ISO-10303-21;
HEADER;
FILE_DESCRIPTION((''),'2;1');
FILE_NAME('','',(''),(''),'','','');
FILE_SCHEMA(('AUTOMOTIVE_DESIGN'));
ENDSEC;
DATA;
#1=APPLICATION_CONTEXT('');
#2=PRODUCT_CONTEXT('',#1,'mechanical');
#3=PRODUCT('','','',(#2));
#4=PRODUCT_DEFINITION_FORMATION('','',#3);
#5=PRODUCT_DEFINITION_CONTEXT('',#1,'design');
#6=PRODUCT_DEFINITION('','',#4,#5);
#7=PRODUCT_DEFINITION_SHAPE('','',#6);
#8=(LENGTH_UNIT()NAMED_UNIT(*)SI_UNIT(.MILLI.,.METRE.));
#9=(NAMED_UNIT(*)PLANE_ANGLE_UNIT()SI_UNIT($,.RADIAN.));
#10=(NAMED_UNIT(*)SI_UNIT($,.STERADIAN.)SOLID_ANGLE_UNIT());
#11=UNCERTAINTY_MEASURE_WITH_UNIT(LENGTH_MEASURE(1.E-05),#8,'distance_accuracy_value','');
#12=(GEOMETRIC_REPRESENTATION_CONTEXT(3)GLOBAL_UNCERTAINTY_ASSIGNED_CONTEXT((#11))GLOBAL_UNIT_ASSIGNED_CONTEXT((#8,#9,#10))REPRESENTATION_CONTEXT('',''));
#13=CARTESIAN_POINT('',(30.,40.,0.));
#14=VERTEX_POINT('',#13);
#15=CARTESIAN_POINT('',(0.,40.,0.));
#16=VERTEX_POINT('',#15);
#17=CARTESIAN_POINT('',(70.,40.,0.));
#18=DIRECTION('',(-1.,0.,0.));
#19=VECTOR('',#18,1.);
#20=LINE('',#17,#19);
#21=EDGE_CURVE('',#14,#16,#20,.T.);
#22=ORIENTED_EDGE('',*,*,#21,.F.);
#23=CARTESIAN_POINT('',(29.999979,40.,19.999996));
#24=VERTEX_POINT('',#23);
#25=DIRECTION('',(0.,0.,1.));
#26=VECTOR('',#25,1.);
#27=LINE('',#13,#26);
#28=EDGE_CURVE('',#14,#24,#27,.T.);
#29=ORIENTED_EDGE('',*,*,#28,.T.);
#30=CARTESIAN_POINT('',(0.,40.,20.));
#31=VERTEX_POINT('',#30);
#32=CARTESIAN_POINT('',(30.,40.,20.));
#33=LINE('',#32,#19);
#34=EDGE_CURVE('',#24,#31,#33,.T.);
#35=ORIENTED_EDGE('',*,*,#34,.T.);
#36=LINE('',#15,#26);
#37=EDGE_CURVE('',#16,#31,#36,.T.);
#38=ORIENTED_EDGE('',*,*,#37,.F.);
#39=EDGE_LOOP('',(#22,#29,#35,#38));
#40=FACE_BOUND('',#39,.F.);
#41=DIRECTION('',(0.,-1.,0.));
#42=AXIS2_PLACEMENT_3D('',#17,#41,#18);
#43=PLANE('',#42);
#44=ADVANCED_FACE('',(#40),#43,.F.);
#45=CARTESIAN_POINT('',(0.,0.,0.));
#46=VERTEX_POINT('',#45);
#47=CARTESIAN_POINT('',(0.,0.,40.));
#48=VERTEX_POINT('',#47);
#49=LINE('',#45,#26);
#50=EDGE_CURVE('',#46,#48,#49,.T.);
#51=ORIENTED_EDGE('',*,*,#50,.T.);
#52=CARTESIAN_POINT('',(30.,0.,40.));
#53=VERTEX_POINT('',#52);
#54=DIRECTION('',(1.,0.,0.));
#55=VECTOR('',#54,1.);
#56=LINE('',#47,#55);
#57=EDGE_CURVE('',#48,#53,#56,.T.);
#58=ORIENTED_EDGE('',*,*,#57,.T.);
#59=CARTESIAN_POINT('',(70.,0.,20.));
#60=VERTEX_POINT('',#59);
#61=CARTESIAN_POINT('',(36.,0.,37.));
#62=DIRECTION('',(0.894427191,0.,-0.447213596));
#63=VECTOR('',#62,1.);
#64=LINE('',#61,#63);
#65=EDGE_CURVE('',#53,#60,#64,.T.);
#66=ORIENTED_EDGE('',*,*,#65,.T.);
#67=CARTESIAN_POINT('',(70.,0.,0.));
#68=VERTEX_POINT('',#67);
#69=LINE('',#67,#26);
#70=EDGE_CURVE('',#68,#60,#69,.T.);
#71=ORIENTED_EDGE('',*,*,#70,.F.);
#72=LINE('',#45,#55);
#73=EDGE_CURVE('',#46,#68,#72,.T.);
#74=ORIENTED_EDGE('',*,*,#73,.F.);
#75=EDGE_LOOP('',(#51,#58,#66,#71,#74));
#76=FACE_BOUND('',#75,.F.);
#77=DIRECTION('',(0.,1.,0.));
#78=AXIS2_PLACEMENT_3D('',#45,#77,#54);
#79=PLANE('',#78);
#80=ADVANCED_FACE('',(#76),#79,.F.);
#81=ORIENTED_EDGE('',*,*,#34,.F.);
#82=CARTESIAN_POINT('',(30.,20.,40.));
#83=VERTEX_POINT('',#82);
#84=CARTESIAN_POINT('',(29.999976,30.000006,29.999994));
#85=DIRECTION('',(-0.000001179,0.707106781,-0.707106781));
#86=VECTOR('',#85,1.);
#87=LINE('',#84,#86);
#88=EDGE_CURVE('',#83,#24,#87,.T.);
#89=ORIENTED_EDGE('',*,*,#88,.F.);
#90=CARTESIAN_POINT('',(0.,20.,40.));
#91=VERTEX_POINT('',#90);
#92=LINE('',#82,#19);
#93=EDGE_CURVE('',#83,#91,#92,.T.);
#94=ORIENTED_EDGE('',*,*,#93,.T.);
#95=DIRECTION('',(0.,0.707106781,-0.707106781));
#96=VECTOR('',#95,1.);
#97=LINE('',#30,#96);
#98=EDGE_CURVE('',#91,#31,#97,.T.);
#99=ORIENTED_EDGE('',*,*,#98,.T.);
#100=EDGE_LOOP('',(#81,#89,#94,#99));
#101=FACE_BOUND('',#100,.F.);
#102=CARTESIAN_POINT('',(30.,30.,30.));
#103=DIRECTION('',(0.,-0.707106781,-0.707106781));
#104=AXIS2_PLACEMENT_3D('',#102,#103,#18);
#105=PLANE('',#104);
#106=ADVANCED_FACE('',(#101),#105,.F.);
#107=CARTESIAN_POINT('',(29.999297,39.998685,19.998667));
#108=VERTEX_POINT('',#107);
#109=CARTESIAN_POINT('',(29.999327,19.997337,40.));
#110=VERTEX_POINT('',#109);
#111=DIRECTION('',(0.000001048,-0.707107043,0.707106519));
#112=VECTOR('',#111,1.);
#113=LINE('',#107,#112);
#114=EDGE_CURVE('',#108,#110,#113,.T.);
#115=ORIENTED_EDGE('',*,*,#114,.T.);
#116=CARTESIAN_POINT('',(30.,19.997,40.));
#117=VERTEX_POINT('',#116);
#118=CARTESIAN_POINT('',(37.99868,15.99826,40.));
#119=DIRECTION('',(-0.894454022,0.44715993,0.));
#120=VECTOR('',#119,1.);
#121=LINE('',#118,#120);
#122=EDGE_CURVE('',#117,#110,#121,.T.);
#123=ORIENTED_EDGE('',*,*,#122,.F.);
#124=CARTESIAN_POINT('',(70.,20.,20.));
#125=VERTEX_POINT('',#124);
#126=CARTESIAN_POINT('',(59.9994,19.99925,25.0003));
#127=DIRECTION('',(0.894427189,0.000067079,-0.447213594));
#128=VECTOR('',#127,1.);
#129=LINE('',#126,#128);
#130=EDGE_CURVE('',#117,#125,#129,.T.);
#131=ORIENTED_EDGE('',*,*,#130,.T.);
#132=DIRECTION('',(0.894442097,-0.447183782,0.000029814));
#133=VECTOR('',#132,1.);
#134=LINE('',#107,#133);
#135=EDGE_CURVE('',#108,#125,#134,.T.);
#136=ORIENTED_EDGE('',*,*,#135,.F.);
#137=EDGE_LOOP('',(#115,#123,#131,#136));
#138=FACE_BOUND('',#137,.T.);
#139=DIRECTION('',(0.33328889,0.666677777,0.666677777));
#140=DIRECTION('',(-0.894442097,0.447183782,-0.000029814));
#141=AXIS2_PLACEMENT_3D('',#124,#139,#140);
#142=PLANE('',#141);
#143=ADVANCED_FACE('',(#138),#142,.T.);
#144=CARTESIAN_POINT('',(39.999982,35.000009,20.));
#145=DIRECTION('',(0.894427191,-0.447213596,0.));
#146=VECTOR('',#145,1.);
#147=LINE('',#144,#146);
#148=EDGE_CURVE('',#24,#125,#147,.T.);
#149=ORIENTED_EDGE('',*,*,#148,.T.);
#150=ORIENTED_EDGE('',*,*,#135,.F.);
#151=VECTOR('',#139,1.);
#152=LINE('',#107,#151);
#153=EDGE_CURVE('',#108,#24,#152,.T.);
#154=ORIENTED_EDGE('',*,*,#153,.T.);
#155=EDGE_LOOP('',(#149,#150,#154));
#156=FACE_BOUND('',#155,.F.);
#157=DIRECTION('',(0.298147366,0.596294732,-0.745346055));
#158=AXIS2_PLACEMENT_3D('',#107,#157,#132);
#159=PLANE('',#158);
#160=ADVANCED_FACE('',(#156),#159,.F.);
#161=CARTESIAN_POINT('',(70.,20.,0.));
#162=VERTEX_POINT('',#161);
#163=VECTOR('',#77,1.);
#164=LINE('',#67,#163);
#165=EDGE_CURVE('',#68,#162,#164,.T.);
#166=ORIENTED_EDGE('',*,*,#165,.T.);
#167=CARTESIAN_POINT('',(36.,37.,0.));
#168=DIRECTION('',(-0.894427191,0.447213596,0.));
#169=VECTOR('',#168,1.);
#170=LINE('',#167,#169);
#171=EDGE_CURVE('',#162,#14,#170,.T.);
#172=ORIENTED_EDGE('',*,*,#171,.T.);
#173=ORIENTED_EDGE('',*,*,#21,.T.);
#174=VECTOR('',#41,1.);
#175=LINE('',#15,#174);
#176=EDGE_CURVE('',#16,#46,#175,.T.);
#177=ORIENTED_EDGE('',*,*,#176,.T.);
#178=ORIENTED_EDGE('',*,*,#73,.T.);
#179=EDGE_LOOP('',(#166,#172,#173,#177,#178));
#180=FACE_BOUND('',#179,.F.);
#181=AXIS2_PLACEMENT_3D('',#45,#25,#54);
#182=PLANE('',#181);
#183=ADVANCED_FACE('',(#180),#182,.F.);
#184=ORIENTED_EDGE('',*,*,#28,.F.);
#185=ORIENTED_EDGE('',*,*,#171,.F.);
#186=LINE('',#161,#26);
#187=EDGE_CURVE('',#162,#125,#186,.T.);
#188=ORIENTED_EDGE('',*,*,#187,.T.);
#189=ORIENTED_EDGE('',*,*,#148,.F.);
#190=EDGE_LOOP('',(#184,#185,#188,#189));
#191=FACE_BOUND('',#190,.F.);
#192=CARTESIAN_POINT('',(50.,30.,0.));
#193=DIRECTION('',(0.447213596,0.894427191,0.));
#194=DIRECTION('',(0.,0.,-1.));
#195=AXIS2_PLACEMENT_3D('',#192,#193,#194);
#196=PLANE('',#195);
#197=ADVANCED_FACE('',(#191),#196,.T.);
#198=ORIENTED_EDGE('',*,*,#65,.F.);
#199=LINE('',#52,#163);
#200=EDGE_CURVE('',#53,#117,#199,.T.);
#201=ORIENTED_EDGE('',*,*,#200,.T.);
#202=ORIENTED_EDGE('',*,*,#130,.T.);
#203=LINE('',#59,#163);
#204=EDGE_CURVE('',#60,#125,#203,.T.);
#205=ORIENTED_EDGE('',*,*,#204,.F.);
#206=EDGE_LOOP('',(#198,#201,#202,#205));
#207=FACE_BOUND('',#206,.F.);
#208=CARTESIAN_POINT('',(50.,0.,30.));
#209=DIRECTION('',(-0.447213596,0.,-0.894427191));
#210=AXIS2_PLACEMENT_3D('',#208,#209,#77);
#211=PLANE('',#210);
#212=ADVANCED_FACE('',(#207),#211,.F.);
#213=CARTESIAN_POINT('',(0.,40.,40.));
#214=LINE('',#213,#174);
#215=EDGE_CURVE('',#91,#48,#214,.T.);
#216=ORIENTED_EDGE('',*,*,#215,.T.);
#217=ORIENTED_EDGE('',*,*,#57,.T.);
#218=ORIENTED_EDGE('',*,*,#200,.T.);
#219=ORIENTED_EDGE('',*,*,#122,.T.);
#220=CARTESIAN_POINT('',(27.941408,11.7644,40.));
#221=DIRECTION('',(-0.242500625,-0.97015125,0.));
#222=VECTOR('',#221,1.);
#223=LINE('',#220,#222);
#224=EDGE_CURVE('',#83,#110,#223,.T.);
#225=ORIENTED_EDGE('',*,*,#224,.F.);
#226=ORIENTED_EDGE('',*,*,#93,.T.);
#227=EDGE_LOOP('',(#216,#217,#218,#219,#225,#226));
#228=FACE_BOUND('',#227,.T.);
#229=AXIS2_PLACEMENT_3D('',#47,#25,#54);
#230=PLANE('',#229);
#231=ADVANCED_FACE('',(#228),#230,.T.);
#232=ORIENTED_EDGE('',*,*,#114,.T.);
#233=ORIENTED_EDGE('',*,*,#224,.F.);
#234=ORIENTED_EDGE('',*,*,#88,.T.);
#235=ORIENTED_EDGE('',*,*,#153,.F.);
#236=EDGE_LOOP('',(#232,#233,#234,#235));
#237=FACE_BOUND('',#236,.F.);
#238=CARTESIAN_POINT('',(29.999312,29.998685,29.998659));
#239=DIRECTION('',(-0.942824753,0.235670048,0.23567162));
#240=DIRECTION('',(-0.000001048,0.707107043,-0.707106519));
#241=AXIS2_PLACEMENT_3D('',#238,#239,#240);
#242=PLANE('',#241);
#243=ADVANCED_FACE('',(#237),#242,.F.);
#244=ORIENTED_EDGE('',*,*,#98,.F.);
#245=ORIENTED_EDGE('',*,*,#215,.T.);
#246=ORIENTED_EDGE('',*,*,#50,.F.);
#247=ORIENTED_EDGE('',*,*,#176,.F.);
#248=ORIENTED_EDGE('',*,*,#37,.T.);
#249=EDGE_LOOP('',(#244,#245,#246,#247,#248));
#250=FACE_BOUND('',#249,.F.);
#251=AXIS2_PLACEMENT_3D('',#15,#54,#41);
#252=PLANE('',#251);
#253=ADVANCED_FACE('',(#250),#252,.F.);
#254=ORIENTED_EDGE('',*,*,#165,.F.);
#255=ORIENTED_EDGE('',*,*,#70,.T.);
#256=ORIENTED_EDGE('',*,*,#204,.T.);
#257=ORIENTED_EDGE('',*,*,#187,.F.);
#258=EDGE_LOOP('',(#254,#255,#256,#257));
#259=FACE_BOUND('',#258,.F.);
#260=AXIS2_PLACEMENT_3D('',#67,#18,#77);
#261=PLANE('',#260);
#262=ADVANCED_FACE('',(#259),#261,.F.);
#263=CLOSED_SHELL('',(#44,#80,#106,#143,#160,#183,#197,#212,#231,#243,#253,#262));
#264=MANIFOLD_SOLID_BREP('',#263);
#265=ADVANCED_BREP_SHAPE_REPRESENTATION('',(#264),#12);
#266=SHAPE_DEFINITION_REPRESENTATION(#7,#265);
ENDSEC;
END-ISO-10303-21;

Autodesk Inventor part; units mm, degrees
ref_plane "YZ Plane" through (0, 0, 0) normal (1, 0, 0) x (0, 1, 0)
ref_plane "XZ Plane" through (0, 0, 0) normal (0, 1, 0) x (-1, 0, 0)
sketch "草圖5" plane through (0, 0, 0) normal (0, 0, 1) x (1, 0, 0)
  line L0 (0, 0) -> (70, 0)
  line L1 (70, 0) -> (70, 40)
  line L2 (70, 40) -> (0, 40)
  line L3 (0, 40) -> (0, 0)
  dimension "d20" = 70
  dimension "d21" = 40
extrude "擠出5" add sketch "草圖5" along normal blind 40
chamfer "倒角2" distance 20 distance2 40 1 edges at (70, 40, 20) measured on face at (70, 13.3333, 13.3333)
chamfer "倒角3" distance 20 distance2 20 1 edges at (15, 40, 40) measured on face at (33.3333, 13.3333, 40)
chamfer "倒角4" distance 40 distance2 20 1 edges at (70, 10, 40) measured on face at (23.3333, 13.3333, 40)
ref_plane "工作平面1" through (70, 20, 20) normal (0.3333, 0.6667, 0.6667) x (-0.8944, 0.4472, 0)
sketch "草圖9" plane through (70, 20, 20) normal (0.3333, 0.6667, 0.6667) x (-0.8944, 0.4472, 0)
  point P0 (53.6656, 17.8885)
sketch "草圖10" plane through (70, 20, 20) normal (0.3333, 0.6667, 0.6667) x (-0.8944, 0.4472, 0)
  line L0 (44.7214, -14.9071) -> (44.7214, 0) projected
  line L1 (44.7214, 0) -> (0, 0)
  line L2 (53.6656, 17.8885) -> (-8.9443, -2.9814) projected
  line L3 (0, 0) -> (35.7302, 26.9735)
  line L4 (44.7214, 0) -> (71.5542, 8.9443) projected
  line L5 (35.7302, 26.9735) -> (44.7214, 0)
extrude "擠出8" cut sketch "草圖10" along normal through all
